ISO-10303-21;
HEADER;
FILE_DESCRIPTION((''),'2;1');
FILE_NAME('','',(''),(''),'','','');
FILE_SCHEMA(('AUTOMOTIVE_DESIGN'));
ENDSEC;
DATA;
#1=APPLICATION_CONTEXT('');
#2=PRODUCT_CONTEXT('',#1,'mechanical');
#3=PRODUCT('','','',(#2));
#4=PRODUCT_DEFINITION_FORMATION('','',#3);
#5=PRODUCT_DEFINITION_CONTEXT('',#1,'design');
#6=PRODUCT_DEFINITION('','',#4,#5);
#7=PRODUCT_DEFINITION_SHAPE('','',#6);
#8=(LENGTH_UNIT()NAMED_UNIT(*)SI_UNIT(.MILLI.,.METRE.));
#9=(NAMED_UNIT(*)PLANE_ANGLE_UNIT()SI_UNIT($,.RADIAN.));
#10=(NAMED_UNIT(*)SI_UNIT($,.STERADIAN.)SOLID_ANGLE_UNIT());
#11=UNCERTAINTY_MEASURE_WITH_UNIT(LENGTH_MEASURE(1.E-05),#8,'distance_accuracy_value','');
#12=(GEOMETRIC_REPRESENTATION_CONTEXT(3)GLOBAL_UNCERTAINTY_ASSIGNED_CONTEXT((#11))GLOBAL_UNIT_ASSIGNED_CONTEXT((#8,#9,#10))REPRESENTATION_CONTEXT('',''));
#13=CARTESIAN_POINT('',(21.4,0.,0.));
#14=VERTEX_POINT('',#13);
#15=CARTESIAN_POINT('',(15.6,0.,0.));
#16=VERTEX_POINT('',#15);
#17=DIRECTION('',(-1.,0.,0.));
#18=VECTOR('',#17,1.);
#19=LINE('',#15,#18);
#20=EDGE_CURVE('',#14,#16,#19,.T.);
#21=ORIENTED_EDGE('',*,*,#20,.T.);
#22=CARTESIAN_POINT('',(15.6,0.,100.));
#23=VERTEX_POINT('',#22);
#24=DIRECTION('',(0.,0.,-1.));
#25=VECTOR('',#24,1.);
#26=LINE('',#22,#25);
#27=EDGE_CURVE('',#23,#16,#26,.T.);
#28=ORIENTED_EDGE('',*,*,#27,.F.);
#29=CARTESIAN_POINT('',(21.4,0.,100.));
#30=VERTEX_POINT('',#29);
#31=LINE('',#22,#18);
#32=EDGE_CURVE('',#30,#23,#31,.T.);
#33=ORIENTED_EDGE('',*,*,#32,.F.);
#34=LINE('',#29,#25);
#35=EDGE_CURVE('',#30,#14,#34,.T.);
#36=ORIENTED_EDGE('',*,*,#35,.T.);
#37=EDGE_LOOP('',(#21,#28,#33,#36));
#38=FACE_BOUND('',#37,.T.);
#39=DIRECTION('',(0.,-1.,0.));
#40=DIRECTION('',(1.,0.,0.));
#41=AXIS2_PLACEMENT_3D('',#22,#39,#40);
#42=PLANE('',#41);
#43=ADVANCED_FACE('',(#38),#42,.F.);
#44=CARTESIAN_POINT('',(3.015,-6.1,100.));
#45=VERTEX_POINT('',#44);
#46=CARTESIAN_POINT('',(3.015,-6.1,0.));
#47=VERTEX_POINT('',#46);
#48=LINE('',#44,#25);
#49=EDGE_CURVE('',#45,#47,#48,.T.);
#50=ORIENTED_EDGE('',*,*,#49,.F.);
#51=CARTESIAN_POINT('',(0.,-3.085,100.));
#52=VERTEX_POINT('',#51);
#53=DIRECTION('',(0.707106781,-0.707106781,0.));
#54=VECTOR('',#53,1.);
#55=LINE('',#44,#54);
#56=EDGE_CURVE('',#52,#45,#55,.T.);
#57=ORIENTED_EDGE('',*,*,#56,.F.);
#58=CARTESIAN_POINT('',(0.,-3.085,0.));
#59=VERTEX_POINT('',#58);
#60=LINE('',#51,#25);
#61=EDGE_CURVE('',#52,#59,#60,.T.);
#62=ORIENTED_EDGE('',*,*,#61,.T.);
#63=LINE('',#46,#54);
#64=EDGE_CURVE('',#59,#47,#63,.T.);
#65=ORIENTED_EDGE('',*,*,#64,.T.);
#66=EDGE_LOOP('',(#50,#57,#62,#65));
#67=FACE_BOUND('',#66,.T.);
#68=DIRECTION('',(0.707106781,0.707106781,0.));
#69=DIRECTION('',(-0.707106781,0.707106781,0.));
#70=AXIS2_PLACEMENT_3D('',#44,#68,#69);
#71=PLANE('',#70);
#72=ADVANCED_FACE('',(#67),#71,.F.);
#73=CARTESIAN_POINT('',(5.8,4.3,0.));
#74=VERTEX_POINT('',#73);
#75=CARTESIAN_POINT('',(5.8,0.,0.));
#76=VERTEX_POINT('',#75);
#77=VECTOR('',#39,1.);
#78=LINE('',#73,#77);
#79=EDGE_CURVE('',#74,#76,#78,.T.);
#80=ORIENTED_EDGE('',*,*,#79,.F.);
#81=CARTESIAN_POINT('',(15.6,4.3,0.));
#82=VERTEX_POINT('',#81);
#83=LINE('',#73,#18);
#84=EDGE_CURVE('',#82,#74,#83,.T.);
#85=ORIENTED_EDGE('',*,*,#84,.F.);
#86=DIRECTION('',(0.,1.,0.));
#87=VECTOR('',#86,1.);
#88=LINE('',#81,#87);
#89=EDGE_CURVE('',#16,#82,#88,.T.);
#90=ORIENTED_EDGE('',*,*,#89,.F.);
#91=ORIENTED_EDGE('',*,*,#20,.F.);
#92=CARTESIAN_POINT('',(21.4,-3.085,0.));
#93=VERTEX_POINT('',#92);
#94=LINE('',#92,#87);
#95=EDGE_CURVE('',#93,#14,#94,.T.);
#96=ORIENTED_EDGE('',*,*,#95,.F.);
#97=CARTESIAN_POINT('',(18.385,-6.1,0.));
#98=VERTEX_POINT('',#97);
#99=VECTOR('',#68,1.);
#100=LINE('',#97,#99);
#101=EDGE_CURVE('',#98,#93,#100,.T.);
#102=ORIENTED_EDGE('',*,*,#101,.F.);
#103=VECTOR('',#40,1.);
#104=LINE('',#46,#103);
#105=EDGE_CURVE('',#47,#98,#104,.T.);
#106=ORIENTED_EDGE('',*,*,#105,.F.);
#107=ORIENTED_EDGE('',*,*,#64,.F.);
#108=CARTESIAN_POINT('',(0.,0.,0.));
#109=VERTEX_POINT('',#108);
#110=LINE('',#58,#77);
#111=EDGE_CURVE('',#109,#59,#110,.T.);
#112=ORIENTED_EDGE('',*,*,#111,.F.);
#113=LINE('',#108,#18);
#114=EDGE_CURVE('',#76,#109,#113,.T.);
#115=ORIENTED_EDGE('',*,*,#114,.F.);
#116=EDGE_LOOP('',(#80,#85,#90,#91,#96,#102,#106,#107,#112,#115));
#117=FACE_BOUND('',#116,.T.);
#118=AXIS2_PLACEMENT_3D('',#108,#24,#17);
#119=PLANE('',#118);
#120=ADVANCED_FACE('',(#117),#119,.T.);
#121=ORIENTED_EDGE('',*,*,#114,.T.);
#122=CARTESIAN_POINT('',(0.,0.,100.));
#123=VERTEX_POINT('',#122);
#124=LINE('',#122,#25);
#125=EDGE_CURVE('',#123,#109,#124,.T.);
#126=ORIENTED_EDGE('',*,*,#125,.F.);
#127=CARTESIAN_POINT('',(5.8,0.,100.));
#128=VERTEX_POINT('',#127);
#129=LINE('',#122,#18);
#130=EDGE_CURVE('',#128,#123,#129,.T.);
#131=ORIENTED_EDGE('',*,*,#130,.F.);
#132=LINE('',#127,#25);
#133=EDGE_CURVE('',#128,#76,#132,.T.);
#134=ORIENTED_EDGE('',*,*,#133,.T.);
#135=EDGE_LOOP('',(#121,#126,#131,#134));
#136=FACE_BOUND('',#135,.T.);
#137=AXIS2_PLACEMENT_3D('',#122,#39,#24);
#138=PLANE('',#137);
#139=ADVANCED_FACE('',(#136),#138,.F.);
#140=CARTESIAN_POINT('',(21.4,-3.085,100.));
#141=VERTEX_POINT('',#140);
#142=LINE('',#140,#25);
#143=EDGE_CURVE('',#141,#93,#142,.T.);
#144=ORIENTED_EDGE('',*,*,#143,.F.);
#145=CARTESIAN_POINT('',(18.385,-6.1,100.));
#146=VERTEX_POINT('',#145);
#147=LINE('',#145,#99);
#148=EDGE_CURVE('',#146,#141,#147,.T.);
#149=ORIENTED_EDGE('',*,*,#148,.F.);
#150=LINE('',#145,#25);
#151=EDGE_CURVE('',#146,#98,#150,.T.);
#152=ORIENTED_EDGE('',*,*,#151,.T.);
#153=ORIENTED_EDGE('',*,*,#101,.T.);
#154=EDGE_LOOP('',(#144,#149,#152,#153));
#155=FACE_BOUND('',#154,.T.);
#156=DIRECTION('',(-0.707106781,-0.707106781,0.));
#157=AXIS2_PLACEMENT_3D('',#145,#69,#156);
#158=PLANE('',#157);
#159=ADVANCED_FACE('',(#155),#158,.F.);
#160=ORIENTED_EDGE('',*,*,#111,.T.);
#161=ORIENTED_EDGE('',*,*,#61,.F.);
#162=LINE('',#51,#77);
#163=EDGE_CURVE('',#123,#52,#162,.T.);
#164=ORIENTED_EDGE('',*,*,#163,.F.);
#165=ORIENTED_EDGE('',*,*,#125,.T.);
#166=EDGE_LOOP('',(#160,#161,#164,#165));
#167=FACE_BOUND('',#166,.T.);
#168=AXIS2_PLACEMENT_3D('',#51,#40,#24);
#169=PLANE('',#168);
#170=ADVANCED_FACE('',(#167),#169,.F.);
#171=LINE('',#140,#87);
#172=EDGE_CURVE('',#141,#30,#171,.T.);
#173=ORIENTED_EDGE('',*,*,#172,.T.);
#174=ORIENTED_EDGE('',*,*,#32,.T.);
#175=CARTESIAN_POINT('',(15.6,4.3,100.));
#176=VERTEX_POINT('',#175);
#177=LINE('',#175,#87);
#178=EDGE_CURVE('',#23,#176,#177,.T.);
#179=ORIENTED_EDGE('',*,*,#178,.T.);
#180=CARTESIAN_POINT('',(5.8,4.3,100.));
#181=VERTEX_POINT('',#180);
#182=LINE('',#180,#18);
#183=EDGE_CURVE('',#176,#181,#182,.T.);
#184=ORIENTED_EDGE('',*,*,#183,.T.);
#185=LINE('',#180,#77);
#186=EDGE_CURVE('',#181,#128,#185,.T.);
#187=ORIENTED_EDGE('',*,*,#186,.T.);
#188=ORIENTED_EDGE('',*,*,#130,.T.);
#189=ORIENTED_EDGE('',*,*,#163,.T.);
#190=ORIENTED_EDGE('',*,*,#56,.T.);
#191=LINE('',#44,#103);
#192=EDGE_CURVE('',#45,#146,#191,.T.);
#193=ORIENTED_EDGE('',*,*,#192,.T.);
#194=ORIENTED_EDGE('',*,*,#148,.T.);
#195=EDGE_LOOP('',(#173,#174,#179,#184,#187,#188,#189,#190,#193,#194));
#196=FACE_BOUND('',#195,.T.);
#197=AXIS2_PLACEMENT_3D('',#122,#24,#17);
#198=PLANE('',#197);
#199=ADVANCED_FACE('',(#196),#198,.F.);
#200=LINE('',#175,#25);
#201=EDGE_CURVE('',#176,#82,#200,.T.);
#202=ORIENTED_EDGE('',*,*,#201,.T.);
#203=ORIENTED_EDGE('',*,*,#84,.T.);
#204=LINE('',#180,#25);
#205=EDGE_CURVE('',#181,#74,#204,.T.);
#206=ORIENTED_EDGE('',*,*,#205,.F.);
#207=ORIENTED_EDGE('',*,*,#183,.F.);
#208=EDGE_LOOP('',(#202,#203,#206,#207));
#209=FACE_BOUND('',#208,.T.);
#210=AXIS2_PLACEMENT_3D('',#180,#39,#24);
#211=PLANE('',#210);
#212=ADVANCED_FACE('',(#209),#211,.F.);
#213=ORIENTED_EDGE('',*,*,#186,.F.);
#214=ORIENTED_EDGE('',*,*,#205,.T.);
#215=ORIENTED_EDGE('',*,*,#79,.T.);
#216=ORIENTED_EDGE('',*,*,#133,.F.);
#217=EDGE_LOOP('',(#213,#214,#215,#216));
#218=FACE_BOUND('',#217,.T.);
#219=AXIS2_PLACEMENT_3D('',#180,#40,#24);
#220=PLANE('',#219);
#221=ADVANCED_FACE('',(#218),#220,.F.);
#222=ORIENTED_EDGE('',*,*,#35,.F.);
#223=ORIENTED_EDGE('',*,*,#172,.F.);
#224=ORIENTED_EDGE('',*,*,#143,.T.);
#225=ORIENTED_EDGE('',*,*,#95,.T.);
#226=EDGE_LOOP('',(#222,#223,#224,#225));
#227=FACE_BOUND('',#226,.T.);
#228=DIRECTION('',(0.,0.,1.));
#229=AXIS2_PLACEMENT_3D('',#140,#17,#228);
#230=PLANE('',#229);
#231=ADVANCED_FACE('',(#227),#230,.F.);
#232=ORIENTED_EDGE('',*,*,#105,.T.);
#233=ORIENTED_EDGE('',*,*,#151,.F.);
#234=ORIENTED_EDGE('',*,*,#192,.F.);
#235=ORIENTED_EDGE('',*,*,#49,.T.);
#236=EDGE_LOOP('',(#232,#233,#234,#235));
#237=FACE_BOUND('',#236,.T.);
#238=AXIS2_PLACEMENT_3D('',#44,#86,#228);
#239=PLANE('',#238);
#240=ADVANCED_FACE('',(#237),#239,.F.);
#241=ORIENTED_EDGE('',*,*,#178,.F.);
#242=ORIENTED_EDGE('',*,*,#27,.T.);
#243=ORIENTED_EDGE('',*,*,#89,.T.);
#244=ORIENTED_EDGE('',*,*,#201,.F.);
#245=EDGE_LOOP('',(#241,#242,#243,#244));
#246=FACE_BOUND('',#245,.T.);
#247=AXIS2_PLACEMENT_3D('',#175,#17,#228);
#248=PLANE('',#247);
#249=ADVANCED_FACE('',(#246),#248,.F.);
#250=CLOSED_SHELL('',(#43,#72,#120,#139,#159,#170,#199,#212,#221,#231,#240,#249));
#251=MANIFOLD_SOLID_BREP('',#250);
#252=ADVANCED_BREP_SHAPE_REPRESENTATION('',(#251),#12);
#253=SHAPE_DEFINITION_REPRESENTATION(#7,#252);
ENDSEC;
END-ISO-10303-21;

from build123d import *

# Parameters (mm, degrees)
EXTRUDE_1_DEPTH = 100


with BuildPart() as part:
    # 草图1 → 凸台-拉伸1 (new body)
    with BuildSketch(Plane.XY):
        Polygon((15.6, 4.3), (15.6, 0), (21.4, 0), (21.4, -3.085), (18.385, -6.1), (3.015, -6.1), (0, -3.085), (0, 0), (5.8, 0), (5.8, 4.3), align=None)
    extrude(amount=EXTRUDE_1_DEPTH)


solid = part.part
